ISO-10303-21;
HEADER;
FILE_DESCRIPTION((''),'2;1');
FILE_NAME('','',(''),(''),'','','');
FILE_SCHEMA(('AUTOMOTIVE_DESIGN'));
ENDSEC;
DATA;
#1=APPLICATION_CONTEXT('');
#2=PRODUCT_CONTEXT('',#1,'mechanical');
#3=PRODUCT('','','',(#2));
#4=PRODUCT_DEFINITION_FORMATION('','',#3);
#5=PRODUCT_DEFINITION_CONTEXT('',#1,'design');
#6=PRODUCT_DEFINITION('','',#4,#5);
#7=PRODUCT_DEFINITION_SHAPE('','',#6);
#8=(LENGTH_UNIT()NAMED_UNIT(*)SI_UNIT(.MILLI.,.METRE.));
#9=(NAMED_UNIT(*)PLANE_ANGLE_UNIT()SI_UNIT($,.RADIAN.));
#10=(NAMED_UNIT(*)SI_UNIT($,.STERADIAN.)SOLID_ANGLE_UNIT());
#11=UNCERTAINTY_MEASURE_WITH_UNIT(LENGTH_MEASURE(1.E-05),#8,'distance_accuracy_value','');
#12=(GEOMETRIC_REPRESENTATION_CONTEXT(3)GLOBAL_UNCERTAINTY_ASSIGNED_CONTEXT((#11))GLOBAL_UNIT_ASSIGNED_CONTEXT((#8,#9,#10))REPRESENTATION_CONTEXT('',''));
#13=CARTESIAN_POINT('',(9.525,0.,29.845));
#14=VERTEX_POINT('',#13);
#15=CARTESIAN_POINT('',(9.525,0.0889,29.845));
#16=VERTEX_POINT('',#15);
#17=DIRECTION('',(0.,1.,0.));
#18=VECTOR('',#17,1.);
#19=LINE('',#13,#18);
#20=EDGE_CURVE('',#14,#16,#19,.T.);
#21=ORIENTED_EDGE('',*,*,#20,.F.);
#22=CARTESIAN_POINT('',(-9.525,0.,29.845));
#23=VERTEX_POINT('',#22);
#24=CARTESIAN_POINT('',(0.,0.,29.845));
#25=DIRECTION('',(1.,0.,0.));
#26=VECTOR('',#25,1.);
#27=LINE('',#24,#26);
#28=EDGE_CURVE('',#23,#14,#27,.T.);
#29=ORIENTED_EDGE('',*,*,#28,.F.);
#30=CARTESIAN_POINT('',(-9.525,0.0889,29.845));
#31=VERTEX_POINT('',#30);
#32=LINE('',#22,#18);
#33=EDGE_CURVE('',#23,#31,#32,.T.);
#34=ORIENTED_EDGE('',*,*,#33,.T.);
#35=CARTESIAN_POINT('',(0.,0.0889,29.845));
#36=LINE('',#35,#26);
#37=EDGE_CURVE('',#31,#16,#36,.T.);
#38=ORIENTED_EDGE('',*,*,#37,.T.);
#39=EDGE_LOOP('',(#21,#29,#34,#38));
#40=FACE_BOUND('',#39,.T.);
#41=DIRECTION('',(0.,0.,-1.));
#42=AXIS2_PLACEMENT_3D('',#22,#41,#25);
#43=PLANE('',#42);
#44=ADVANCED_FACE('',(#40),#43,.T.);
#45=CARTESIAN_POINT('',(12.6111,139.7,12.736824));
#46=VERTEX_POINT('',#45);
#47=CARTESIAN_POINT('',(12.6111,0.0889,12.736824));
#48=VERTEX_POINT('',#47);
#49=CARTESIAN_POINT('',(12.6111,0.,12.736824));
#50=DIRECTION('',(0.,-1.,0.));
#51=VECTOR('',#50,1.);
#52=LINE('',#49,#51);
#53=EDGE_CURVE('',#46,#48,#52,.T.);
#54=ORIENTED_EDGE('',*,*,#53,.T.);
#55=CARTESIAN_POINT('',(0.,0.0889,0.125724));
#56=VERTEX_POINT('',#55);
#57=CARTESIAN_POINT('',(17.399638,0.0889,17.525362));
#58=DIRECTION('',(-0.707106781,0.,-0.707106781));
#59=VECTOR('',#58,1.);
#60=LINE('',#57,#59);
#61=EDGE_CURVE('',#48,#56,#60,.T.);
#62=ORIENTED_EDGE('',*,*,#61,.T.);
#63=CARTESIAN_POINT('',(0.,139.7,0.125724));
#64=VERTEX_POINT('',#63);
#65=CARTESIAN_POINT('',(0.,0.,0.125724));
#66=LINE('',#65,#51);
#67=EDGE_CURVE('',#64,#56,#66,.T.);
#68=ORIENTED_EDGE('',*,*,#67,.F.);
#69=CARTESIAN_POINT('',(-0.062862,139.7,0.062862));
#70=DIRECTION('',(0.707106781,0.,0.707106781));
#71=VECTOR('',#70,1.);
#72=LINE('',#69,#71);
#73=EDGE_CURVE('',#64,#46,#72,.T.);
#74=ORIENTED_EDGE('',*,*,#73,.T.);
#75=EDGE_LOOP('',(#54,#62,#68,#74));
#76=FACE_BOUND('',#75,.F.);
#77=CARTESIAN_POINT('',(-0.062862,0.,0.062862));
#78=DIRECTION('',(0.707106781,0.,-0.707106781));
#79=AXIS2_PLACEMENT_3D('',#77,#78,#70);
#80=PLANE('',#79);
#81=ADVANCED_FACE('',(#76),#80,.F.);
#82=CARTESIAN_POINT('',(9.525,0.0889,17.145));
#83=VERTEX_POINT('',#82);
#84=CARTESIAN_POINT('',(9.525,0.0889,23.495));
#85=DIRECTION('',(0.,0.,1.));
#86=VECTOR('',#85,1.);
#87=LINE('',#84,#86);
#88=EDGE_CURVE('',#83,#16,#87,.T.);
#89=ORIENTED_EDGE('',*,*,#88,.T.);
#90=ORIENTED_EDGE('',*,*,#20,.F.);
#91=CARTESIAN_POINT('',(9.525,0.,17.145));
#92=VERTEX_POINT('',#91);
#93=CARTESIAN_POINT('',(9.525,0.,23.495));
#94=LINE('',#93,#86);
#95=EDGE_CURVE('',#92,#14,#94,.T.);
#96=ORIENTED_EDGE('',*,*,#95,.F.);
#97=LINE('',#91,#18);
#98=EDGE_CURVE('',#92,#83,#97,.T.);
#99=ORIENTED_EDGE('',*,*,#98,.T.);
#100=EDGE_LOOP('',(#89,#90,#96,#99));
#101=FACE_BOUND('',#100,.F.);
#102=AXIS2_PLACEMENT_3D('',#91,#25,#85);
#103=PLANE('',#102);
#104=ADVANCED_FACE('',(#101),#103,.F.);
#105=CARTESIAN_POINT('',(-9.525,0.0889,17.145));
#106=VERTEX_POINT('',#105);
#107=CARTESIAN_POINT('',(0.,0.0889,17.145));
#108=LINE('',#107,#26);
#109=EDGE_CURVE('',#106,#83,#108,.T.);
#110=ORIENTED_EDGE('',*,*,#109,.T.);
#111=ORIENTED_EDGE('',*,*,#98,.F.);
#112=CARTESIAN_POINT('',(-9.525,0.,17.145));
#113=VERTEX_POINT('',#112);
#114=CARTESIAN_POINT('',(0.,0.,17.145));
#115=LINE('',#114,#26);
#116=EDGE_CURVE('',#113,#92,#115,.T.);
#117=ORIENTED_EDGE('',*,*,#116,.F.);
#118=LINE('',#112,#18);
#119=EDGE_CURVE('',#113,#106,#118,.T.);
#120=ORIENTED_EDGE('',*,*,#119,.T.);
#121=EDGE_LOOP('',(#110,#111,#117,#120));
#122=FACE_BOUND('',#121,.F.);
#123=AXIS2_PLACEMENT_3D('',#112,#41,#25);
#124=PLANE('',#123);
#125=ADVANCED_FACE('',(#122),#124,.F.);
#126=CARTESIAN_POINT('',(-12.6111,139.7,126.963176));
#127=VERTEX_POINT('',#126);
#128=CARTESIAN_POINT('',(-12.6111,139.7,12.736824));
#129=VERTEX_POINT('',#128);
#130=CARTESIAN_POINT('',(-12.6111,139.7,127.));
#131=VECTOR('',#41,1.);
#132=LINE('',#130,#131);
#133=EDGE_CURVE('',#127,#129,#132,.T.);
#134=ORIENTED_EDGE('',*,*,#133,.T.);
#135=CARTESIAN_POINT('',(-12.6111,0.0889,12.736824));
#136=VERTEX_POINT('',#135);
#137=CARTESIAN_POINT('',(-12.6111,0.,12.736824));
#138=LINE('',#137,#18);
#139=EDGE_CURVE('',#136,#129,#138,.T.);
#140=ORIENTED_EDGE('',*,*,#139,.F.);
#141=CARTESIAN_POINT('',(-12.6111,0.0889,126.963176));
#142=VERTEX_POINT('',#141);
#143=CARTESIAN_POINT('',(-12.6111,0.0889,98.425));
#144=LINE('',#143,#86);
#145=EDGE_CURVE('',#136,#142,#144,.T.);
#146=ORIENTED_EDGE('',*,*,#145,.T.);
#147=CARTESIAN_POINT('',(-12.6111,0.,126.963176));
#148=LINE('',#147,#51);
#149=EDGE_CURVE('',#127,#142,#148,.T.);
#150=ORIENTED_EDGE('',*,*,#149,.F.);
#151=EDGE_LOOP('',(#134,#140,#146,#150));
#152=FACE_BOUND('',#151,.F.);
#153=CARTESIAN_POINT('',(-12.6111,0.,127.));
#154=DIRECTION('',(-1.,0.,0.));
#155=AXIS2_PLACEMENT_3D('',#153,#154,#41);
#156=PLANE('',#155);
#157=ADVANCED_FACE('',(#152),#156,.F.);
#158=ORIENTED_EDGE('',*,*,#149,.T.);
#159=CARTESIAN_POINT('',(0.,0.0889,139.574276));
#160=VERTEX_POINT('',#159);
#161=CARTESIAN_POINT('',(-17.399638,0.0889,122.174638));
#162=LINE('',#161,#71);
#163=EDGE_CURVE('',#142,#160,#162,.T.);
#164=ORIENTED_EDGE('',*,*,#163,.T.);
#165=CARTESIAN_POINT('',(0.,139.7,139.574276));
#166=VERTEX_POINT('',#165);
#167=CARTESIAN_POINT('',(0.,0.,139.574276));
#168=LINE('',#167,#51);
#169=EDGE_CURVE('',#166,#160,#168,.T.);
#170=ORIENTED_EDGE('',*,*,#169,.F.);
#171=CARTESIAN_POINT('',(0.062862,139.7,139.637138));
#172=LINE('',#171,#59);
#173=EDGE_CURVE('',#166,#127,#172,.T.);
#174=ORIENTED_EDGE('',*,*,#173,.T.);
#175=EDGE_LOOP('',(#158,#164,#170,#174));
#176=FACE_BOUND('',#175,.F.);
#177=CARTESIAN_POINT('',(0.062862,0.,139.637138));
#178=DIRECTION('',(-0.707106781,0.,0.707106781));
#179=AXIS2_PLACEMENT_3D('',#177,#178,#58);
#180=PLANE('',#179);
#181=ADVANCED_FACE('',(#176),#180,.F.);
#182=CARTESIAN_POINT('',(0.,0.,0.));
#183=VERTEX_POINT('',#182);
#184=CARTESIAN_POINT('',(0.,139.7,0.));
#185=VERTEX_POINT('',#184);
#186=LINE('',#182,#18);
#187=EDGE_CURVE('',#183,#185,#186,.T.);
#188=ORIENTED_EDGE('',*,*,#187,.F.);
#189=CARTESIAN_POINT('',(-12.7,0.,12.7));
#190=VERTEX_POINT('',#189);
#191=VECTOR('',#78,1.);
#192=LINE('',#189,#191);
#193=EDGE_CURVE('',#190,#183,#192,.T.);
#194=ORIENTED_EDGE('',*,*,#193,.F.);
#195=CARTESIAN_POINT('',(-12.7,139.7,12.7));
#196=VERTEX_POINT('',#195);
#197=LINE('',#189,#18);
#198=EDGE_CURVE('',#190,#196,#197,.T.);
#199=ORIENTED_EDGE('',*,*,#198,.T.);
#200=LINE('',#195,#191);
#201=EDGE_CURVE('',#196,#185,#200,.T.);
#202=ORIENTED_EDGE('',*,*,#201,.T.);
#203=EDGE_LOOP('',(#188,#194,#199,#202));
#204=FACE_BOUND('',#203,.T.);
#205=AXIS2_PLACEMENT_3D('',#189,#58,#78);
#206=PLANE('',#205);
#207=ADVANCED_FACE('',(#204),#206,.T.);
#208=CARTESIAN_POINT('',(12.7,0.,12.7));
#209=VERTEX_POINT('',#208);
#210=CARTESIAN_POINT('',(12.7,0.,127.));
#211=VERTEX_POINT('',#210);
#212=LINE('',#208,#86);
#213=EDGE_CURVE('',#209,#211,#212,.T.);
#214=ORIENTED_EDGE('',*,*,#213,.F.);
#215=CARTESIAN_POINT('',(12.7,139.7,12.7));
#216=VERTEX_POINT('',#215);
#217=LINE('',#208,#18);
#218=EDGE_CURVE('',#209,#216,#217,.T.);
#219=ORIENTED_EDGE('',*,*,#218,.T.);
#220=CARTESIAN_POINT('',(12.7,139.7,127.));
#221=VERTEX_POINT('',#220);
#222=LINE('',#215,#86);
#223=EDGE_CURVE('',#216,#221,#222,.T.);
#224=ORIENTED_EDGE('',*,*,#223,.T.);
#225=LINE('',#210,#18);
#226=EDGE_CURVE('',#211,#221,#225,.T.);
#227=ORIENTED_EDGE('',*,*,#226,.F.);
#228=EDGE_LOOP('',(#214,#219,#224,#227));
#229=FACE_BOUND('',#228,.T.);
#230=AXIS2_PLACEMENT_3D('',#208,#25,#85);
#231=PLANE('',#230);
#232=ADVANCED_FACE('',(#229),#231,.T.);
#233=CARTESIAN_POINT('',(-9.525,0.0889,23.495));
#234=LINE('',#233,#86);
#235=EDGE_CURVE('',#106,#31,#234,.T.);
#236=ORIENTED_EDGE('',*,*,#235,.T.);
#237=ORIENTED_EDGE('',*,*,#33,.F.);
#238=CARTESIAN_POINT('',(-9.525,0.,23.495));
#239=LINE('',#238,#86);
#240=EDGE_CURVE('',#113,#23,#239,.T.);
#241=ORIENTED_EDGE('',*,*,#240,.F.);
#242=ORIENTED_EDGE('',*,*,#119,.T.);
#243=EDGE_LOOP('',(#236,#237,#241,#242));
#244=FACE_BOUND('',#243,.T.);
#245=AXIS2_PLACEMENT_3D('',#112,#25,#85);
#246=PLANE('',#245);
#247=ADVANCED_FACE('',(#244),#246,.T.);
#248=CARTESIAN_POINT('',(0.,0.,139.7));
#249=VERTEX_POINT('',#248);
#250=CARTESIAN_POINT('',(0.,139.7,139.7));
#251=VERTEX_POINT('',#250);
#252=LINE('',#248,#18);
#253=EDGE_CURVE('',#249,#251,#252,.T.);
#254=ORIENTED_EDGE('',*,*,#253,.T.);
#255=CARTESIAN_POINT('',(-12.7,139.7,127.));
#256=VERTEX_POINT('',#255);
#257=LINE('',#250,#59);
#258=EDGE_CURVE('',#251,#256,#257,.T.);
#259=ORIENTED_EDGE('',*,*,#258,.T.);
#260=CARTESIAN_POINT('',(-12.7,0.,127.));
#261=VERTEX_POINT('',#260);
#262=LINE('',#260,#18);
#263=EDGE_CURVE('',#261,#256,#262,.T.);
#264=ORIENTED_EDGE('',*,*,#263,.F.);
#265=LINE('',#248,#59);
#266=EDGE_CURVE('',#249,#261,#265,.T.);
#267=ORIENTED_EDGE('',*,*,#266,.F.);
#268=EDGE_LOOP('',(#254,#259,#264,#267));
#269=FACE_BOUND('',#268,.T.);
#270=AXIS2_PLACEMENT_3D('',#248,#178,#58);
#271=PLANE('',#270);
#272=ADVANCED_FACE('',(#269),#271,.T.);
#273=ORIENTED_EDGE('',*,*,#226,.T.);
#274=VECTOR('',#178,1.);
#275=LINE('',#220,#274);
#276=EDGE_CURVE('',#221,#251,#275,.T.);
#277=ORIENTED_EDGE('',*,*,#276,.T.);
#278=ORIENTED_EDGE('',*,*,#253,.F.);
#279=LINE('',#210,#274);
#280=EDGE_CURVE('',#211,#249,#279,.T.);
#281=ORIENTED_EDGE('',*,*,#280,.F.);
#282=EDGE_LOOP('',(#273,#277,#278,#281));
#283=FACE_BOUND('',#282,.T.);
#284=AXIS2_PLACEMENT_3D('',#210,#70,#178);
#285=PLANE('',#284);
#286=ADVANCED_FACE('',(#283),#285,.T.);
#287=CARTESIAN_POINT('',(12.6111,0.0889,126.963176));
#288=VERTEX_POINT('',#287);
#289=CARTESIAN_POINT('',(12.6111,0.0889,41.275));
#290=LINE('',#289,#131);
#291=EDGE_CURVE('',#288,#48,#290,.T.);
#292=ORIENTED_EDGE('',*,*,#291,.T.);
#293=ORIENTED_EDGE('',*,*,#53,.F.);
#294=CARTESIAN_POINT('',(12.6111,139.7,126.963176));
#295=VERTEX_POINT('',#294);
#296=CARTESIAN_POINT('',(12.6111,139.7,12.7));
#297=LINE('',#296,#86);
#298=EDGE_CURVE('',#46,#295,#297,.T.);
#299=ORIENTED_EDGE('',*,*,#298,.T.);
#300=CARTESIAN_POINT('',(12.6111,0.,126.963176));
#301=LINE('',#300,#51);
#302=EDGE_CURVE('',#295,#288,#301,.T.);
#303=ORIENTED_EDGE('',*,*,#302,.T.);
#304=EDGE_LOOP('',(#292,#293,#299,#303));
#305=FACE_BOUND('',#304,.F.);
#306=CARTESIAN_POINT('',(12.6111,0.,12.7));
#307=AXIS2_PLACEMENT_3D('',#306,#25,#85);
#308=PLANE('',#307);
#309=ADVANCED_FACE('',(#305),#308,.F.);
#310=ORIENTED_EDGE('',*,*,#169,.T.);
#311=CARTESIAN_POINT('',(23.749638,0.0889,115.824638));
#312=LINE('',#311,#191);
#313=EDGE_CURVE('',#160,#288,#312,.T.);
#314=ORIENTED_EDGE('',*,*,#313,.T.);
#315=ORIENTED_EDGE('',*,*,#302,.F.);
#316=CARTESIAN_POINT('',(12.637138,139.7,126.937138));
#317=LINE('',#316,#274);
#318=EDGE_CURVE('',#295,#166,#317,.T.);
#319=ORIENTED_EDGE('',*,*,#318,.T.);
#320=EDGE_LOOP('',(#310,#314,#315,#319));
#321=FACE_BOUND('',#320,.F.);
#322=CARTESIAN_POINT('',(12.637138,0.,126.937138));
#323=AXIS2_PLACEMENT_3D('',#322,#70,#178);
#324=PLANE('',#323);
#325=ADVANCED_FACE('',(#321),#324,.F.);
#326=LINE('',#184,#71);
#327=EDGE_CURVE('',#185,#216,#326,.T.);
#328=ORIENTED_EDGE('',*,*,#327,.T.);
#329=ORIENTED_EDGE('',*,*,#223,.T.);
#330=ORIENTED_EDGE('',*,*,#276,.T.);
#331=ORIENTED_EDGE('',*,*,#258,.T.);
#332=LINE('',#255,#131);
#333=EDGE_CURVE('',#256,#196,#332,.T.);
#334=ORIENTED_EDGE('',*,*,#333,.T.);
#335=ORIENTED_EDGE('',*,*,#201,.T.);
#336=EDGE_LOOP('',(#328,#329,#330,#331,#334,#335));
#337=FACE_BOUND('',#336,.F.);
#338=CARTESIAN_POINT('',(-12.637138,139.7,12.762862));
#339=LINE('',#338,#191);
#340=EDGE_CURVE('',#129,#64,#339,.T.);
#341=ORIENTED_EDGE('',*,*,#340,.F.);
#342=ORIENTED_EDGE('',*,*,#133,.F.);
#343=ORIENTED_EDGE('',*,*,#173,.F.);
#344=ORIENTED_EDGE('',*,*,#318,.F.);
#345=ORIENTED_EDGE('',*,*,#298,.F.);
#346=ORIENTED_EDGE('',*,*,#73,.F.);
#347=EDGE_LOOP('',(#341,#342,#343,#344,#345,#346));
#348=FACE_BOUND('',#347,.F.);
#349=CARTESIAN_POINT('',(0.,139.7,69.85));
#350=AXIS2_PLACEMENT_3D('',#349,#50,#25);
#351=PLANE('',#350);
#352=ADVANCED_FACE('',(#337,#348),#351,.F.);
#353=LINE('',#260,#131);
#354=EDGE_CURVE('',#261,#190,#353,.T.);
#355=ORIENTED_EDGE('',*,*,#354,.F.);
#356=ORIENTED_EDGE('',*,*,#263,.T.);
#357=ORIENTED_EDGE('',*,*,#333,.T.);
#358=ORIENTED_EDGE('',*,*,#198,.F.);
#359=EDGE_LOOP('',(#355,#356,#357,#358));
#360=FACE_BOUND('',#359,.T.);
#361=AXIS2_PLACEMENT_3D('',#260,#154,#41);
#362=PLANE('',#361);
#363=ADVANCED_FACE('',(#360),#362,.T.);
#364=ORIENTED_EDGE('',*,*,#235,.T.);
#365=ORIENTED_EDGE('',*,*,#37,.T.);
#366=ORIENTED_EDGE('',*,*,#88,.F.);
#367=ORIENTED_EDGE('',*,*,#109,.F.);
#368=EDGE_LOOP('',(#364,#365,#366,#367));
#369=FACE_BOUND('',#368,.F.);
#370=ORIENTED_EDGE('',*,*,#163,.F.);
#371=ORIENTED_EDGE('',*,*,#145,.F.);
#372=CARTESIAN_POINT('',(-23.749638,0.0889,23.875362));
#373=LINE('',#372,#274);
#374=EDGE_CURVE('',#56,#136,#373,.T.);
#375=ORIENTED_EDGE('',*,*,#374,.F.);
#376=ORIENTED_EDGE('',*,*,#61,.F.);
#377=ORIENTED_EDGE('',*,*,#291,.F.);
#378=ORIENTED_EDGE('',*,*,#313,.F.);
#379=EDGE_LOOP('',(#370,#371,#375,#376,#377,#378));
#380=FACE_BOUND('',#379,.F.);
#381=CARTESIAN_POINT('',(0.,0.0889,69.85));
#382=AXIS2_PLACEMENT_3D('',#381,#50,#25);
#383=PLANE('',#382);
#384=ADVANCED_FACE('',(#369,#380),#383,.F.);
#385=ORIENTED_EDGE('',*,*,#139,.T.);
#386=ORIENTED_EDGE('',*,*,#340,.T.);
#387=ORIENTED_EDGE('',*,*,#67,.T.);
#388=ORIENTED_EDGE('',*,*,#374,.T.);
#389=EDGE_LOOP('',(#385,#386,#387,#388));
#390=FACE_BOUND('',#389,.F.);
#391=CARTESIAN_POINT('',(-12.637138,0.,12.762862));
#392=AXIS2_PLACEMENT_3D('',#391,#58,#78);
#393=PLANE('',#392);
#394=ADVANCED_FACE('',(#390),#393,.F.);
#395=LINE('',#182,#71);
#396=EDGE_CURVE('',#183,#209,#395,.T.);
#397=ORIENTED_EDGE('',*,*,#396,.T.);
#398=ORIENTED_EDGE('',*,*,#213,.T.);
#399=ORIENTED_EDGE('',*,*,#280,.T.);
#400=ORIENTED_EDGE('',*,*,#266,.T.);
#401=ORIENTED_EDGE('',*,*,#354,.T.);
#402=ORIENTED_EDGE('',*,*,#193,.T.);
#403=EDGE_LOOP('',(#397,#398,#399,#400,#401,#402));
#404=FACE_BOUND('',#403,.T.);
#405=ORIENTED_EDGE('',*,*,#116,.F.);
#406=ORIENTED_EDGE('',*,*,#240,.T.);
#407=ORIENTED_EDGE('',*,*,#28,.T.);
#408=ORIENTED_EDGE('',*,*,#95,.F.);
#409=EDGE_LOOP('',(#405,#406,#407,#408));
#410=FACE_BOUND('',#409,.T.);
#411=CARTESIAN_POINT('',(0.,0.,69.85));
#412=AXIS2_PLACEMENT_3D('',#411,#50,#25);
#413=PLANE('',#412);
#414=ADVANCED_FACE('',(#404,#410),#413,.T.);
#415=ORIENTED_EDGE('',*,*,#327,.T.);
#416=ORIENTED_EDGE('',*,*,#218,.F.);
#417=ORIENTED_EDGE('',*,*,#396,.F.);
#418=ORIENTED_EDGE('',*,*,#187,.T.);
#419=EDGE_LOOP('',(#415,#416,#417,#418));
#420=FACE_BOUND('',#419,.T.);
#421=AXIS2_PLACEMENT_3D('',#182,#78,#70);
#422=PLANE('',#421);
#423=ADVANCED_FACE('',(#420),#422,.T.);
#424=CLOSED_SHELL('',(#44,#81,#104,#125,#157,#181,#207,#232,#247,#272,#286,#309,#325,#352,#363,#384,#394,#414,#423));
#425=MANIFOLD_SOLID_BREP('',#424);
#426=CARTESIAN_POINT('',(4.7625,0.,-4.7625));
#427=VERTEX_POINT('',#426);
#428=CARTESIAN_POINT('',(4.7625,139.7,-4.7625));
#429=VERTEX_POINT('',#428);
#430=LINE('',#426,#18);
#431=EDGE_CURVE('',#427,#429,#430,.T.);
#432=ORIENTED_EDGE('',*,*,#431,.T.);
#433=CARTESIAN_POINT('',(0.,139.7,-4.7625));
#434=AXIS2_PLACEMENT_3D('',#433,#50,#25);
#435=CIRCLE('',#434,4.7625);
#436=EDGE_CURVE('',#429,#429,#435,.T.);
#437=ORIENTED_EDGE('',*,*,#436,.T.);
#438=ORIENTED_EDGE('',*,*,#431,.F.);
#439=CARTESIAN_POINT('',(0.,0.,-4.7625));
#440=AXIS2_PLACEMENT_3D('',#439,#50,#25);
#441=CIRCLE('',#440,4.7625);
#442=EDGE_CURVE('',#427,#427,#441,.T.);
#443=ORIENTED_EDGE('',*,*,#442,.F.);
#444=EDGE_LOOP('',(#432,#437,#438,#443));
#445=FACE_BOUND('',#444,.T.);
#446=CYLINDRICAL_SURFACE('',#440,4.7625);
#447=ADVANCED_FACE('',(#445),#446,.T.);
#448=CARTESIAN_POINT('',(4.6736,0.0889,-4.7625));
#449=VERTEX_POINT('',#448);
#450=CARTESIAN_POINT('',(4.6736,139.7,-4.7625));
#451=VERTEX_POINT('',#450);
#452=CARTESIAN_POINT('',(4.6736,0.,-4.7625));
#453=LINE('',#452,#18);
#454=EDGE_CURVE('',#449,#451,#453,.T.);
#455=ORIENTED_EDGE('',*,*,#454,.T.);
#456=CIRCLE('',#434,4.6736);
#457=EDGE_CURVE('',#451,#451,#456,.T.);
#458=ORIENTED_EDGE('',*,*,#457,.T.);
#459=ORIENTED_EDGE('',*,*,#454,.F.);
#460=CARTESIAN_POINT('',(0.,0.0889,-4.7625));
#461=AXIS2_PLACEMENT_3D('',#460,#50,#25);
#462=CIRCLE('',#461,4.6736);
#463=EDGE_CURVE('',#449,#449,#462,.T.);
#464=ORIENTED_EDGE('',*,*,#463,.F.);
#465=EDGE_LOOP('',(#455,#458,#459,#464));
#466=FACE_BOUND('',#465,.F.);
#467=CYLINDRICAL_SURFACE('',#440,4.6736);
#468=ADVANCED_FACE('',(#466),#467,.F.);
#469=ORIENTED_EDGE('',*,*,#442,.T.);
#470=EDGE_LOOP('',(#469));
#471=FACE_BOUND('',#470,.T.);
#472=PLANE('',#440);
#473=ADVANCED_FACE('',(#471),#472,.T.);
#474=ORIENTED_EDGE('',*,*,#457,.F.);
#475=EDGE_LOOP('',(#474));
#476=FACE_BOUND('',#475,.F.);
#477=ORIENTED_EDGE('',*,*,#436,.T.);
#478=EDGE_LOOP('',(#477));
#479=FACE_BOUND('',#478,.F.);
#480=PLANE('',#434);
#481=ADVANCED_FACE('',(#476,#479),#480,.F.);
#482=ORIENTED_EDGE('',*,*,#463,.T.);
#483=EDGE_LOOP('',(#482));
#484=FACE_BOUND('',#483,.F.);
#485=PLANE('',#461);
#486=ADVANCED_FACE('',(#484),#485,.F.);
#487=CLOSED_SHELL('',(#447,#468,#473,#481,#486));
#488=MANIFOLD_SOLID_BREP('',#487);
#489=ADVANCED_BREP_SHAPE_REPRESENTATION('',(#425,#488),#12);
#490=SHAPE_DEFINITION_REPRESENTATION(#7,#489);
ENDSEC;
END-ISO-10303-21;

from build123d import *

# Parameters (mm, degrees)
F0_W     = 19.05
F0_H     = 12.7
F1_DEPTH = 139.7
F2_R     = 4.7625
F3_DEPTH = 139.7
F4_T     = -0.0889
F4_2_T   = -0.0889
F5_DEPTH = 0.0889


with BuildPart() as f1:
    # F0 (on Front) → F1 (new body)
    with BuildSketch(Plane.XZ):
        Polygon((-12.7, 12.7), (0, 0), (12.7, 12.7), (12.7, 127), (0, 139.7), (-12.7, 127), align=None)
        with Locations((0, 23.495)):
            Rectangle(F0_W, F0_H, mode=Mode.SUBTRACT)
        with Locations((0, 23.495)):
            Rectangle(F0_W, F0_H)
    extrude(amount=-F1_DEPTH)

    # F4
    f4_openings = [f1.faces().sort_by_distance(p)[0] for p in [
        (0, 139.7, 69.85),
    ]]
    offset(amount=F4_T, openings=f4_openings)

    # F0 (on Front) → F5 (cut, through all)
    with BuildSketch(Plane.XZ):
        with Locations((0, 23.495)):
            Rectangle(F0_W, F0_H)
    extrude(amount=-F5_DEPTH, mode=Mode.SUBTRACT)


with BuildPart() as f3:
    # F2 (on Front) → F3 (new body, through all)
    with BuildSketch(Plane.XZ):
        with Locations((0, -4.7625)):
            Circle(F2_R)
    extrude(amount=-F3_DEPTH)

    # F4#2
    f4_2_openings = [f3.faces().sort_by_distance(p)[0] for p in [
        (0, 139.7, -4.7625),
    ]]
    offset(amount=F4_2_T, openings=f4_2_openings)


solid = Compound([f1.part, f3.part])
